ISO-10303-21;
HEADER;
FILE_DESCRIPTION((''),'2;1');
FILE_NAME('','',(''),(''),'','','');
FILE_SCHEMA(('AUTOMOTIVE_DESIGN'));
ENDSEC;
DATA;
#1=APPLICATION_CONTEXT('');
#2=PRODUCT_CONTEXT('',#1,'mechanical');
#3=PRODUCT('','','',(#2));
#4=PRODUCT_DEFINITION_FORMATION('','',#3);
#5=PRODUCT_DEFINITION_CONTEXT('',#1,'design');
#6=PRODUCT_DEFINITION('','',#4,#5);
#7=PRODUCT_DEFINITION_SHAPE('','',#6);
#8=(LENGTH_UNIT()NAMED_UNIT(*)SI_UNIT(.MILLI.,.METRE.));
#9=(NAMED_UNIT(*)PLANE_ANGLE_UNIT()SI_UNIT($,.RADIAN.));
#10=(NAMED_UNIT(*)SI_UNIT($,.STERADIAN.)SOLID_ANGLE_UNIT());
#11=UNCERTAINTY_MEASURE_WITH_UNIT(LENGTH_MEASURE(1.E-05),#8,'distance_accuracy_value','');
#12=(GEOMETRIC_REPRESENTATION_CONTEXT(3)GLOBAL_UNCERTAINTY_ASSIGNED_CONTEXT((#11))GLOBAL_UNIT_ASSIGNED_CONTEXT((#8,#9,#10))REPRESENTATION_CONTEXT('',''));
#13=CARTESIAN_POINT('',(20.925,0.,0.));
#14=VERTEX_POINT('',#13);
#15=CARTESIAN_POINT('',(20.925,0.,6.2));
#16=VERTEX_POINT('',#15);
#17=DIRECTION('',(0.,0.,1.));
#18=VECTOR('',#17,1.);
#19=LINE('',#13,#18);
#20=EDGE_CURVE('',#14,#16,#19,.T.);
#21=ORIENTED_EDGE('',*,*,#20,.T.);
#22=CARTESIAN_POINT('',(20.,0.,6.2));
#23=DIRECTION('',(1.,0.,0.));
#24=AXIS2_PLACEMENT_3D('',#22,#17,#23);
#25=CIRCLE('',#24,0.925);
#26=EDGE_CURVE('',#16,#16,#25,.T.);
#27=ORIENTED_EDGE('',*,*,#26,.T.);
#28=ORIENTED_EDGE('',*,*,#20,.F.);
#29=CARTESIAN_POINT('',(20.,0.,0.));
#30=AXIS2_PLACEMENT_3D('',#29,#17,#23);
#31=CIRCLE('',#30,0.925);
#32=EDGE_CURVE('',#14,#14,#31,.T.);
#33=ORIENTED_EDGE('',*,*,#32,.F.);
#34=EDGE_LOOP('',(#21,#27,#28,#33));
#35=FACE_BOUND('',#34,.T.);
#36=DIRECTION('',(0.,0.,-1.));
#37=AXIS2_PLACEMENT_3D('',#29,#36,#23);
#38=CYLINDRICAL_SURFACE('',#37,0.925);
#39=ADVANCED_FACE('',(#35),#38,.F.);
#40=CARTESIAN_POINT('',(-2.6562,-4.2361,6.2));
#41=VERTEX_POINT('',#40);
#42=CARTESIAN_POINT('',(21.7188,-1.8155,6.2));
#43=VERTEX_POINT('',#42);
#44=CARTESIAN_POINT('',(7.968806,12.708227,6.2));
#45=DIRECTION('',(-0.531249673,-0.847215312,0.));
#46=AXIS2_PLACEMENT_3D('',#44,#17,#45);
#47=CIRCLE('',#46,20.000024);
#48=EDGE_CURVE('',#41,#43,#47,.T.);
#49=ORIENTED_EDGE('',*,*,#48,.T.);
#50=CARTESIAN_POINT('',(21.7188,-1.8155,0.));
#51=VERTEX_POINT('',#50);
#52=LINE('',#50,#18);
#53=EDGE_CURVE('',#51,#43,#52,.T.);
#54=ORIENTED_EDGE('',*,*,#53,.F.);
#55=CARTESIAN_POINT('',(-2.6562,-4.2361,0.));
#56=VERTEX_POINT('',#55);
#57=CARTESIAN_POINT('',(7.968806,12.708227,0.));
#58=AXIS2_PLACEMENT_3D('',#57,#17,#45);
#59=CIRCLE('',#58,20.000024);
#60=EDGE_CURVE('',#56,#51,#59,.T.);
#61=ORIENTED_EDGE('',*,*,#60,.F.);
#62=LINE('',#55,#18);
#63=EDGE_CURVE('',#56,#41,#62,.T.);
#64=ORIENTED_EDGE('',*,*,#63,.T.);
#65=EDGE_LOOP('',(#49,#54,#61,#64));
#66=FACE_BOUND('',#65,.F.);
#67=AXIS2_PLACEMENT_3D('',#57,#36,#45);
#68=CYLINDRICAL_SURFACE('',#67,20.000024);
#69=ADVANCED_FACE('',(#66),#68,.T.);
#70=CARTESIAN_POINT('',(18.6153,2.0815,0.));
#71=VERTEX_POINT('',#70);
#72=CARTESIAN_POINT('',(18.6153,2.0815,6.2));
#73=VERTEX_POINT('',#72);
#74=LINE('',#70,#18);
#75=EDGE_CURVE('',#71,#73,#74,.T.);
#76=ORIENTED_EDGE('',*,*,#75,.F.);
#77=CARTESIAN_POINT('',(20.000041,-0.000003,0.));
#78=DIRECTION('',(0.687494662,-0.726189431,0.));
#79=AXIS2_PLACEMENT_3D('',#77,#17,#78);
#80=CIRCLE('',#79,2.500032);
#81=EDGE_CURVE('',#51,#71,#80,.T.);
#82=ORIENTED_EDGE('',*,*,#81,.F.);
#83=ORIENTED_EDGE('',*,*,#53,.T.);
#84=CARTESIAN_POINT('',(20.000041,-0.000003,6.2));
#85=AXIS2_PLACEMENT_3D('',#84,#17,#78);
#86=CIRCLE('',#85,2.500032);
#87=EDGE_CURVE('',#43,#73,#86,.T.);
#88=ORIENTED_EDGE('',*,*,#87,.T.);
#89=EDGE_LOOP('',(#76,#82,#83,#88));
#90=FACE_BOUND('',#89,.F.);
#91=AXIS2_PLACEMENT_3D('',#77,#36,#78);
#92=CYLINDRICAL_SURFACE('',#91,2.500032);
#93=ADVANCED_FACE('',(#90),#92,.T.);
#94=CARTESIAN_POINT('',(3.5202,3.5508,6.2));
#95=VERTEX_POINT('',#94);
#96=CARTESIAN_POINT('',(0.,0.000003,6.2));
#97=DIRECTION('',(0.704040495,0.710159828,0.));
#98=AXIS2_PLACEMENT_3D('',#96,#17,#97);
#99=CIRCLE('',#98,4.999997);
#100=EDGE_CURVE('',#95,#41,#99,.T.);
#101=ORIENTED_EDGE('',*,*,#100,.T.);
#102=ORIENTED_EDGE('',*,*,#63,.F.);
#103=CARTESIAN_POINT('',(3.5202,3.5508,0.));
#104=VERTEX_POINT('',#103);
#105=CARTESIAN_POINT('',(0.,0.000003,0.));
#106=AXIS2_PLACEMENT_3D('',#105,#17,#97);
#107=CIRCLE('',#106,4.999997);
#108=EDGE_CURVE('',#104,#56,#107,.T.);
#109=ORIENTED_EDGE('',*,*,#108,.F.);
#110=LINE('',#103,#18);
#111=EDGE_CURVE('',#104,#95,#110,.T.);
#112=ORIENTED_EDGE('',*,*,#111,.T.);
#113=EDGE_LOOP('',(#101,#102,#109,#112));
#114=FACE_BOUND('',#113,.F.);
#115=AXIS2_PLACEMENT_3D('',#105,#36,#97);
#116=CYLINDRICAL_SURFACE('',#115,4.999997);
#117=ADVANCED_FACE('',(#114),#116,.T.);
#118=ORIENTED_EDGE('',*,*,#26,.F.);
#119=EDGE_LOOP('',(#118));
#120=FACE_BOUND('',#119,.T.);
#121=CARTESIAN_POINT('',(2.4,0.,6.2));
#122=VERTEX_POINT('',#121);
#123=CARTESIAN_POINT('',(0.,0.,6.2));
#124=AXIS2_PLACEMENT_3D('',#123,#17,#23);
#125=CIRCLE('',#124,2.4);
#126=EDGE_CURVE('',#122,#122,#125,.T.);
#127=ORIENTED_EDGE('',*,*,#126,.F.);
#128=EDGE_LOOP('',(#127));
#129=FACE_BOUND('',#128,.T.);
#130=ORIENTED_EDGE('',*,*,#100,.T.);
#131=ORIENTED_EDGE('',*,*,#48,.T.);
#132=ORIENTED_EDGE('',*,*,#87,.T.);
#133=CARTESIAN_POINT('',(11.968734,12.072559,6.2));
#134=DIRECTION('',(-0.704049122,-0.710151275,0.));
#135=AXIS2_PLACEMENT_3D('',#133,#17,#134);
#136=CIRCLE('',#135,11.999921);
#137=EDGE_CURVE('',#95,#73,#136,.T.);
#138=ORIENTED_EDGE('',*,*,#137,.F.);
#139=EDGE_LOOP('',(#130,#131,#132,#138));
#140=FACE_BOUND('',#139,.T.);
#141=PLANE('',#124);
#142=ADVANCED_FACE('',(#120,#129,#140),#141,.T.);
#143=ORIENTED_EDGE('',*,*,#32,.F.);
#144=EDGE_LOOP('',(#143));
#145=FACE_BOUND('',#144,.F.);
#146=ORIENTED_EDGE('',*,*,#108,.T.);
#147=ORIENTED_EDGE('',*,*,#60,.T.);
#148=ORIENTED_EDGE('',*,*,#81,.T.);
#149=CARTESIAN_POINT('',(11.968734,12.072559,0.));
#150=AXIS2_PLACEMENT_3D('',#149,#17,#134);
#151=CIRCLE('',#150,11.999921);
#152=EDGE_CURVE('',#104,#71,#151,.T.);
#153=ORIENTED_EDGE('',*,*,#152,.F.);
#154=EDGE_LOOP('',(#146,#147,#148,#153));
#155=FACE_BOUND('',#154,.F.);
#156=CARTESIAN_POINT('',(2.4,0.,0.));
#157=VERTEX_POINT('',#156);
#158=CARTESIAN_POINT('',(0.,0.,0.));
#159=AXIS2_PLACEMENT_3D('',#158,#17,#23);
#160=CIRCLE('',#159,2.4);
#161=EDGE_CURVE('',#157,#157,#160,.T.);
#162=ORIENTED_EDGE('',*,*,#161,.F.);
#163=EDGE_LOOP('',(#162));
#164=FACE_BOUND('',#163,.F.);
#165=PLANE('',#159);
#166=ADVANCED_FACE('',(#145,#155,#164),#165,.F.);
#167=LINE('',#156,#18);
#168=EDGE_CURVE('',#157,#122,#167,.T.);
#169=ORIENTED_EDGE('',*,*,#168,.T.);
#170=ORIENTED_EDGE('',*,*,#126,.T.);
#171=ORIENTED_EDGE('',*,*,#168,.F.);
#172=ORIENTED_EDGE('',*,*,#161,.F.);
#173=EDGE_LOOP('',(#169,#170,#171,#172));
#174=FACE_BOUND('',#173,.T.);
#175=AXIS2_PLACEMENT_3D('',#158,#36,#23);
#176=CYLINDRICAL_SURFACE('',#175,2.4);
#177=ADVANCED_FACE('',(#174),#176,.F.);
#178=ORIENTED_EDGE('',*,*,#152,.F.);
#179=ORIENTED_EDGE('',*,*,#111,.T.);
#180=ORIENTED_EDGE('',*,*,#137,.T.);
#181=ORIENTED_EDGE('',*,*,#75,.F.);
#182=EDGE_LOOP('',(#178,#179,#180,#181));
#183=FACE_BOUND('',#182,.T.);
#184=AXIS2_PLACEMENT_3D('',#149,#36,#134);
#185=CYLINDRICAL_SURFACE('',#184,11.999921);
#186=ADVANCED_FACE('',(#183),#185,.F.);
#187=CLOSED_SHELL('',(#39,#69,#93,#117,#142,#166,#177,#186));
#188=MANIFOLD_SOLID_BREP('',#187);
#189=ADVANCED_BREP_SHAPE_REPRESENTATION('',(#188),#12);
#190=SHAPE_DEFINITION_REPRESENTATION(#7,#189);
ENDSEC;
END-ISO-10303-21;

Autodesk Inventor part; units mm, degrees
ref_plane "YZ Plane" through (0, 0, 0) normal (1, 0, 0) x (0, 1, 0)
ref_plane "XZ Plane" through (0, 0, 0) normal (0, 1, 0) x (-1, 0, 0)
ref_plane "XY Plane" through (0, 0, 0) normal (0, 0, 1) x (1, 0, 0)
sketch "Sketch1" plane through (0, 0, 0) normal (0, 0, 1) x (1, 0, 0)
  circle A0 centre (0, 0) radius 2.4
  arc A1 (21.7188, -1.8155) -> (18.6153, 2.0815) centre (20, 0) ccw
  arc A2 (3.5202, 3.5508) -> (-2.6562, -4.2361) centre (0, 0) ccw
  circle A3 centre (20, 0) radius 0.925
  arc A4 (-2.6562, -4.2361) -> (21.7188, -1.8155) centre (7.9688, 12.7082) ccw
  arc A5 (3.5202, 3.5508) -> (18.6153, 2.0815) centre (11.9688, 12.0727) ccw
  dimension "d0" = 4.8
  dimension "d3" = 2.5
  dimension "d6" = 5
  dimension "d7" = 20
  dimension "d8" = 1.85
  dimension "d9" = 20
  dimension "d10" = 12
extrude "Extrusion1" add sketch "Sketch1" along normal blind 6.2
properties part number "slider_link_p4"
